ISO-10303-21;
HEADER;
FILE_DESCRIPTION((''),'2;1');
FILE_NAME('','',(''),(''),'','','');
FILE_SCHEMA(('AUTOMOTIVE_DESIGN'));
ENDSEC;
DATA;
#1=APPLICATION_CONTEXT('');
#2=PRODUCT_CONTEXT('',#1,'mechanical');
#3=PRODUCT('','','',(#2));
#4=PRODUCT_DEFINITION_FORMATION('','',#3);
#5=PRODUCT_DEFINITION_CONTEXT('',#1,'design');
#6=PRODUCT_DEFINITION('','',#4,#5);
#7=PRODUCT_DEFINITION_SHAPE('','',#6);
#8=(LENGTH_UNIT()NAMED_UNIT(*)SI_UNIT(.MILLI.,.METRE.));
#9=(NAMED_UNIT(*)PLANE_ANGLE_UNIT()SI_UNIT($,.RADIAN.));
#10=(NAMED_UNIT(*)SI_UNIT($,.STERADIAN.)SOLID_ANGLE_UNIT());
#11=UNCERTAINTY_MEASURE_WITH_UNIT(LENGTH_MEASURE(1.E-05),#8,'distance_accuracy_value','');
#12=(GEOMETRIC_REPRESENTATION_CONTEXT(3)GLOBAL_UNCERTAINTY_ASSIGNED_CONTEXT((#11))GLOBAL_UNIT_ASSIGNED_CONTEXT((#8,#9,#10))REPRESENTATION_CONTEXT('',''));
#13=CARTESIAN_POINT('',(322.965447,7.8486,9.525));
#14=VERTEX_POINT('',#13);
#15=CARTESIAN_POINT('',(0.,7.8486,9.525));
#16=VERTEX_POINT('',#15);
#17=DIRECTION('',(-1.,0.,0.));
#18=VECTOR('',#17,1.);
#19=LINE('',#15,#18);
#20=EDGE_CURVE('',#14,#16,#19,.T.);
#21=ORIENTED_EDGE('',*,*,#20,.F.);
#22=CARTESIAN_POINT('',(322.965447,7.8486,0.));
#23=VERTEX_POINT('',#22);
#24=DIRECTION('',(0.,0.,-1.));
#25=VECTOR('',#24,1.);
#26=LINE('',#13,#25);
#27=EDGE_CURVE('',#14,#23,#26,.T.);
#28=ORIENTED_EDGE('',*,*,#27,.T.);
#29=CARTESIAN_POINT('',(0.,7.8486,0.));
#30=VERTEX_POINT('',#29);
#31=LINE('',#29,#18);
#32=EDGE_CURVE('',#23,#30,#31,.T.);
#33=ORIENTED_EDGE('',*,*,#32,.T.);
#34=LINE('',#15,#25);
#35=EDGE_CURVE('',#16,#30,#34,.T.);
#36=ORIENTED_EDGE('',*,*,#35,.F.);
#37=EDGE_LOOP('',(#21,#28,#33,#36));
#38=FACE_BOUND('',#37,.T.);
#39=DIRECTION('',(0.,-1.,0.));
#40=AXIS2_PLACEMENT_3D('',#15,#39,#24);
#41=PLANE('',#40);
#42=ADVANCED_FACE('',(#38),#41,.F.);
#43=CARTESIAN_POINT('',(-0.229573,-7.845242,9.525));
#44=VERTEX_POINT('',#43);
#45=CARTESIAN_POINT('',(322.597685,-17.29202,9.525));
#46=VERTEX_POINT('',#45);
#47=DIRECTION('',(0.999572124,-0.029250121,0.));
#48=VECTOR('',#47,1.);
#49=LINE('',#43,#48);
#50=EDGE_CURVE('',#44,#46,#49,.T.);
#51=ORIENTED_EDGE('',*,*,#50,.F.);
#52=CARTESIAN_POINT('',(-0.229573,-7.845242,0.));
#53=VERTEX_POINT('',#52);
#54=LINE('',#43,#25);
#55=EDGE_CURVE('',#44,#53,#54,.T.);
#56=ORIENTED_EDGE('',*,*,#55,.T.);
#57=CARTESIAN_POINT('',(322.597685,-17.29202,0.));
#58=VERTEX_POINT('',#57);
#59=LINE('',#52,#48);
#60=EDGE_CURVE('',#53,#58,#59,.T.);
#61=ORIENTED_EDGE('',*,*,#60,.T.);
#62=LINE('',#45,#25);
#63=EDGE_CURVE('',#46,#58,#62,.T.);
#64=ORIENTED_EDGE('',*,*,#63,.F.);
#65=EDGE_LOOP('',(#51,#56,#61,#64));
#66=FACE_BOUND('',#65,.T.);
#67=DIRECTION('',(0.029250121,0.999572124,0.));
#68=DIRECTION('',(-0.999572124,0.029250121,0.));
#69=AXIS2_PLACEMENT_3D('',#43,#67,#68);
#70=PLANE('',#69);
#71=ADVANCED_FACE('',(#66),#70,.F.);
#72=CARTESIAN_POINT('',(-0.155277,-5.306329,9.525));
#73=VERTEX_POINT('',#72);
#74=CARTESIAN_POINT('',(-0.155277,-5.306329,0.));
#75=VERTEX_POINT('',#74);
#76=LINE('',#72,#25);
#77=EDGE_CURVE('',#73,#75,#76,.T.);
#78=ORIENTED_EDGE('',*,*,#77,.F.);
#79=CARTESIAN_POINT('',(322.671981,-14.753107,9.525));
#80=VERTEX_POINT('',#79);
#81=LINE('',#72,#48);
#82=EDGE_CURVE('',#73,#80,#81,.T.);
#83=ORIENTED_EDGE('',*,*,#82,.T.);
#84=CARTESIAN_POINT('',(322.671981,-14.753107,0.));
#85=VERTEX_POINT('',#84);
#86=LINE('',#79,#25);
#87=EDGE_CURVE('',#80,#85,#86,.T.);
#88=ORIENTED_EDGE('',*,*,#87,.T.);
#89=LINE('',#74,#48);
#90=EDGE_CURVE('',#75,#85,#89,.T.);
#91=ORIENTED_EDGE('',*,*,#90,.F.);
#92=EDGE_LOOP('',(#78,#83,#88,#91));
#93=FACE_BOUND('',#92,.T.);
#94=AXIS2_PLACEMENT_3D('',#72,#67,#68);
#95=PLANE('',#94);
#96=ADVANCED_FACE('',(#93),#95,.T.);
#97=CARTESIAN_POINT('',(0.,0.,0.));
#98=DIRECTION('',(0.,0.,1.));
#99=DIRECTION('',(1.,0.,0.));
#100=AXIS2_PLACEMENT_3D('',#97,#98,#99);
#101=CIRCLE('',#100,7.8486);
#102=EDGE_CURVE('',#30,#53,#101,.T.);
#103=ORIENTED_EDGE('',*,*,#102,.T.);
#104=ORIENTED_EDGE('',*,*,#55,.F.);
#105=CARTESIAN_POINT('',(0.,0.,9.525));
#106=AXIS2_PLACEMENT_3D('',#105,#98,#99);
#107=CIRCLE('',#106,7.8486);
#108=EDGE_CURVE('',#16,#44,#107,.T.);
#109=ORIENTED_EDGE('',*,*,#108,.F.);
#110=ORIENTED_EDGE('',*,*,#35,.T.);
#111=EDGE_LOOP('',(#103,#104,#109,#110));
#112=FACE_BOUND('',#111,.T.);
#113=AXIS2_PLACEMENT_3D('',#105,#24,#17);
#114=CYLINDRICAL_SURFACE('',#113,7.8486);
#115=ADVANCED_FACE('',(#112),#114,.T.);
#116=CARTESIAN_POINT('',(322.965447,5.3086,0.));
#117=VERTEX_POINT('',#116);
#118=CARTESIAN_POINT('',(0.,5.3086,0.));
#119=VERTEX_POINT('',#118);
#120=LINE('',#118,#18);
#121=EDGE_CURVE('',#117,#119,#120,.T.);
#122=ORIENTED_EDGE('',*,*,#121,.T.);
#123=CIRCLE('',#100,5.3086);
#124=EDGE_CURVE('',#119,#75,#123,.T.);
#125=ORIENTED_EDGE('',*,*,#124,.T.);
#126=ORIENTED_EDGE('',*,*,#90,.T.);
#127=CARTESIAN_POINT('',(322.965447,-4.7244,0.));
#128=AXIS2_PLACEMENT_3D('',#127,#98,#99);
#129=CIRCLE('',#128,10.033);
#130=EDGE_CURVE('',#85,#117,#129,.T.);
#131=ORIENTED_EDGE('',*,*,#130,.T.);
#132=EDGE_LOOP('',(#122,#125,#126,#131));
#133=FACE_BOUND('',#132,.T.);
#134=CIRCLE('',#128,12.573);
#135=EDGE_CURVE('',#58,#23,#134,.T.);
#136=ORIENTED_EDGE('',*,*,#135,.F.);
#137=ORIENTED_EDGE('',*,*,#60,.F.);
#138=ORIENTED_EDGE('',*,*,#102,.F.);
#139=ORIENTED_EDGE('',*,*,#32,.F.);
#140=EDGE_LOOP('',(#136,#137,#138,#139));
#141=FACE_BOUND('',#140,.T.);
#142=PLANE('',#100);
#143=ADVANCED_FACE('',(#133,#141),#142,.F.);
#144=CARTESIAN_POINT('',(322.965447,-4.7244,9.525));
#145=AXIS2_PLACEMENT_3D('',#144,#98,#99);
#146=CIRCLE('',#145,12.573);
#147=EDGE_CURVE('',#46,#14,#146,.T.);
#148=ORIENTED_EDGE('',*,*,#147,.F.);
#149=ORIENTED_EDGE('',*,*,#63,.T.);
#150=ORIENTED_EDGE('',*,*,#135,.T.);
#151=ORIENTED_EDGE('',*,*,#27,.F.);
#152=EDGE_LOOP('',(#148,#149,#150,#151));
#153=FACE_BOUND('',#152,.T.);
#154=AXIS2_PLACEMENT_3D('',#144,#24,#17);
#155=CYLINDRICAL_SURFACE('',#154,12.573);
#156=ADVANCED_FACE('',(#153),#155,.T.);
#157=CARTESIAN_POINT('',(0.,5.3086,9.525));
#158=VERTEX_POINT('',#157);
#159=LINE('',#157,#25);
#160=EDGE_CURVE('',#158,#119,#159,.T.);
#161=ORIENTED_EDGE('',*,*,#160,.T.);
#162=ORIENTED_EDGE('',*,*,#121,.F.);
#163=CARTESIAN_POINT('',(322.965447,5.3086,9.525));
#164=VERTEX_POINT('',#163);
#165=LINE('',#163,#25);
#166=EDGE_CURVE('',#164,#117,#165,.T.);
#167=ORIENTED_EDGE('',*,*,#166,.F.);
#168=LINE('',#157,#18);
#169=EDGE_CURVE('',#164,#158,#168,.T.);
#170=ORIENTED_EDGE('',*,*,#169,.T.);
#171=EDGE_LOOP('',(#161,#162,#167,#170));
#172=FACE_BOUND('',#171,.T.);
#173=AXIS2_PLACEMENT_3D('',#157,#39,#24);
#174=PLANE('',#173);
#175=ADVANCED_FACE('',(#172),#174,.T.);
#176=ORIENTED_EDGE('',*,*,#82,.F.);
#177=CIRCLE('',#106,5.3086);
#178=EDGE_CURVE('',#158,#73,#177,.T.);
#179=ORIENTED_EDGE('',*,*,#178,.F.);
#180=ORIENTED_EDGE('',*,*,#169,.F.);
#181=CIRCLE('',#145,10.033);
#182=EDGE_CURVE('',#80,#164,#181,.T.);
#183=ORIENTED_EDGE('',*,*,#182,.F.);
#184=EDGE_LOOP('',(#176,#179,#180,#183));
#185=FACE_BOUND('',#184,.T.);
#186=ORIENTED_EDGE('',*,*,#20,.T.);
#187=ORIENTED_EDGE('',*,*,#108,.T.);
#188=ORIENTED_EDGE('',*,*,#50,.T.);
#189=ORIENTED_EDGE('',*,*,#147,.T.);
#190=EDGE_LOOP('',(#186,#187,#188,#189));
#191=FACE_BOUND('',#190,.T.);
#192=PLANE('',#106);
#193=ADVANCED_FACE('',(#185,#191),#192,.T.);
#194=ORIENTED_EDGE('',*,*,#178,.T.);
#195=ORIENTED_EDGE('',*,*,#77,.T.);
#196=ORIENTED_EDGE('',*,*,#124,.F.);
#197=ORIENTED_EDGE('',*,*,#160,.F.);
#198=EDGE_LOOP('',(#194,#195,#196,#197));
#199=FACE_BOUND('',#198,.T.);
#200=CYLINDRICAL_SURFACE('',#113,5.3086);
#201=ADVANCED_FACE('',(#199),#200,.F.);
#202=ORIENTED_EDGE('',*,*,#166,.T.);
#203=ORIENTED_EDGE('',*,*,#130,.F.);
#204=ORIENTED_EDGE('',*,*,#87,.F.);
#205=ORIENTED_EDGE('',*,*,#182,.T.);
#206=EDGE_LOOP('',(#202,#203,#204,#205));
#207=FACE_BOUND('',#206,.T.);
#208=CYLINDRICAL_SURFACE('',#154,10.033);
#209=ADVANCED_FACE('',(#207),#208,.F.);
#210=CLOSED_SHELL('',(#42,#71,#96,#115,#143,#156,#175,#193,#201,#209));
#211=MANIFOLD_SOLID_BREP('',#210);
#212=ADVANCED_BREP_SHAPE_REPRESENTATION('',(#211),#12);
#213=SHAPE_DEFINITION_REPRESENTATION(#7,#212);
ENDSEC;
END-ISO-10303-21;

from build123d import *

# Parameters (mm, degrees)
BOSS_EXTRUDE1_DEPTH = 9.525


with BuildPart() as part:
    # Sketch1 → Boss-Extrude1 (new body)
    with BuildSketch(Plane.XY):
        with BuildLine():
            Line((0, 7.8486), (322.965447137, 7.8486))
            ThreePointArc((322.965447137, 7.8486), (335.537102143, -4.908300561), (322.597685361, -17.292020311))
            Line((322.597685361, -17.292020311), (-0.229572503, -7.84524177))
            ThreePointArc((-0.229572503, -7.84524177), (-7.847760398, 0.114798532), (0, 7.8486))
        make_face()
        with BuildLine():
            Line((0, 5.3086), (322.965447137, 5.3086))
            ThreePointArc((322.965447137, 5.3086), (332.997373859, -4.871148933), (322.671980669, -14.753107117))
            Line((322.671980669, -14.753107117), (-0.155277195, -5.306328576))
            ThreePointArc((-0.155277195, -5.306328576), (-5.308032114, 0.077646904), (0, 5.3086))
        make_face(mode=Mode.SUBTRACT)
    extrude(amount=BOSS_EXTRUDE1_DEPTH)


solid = part.part
